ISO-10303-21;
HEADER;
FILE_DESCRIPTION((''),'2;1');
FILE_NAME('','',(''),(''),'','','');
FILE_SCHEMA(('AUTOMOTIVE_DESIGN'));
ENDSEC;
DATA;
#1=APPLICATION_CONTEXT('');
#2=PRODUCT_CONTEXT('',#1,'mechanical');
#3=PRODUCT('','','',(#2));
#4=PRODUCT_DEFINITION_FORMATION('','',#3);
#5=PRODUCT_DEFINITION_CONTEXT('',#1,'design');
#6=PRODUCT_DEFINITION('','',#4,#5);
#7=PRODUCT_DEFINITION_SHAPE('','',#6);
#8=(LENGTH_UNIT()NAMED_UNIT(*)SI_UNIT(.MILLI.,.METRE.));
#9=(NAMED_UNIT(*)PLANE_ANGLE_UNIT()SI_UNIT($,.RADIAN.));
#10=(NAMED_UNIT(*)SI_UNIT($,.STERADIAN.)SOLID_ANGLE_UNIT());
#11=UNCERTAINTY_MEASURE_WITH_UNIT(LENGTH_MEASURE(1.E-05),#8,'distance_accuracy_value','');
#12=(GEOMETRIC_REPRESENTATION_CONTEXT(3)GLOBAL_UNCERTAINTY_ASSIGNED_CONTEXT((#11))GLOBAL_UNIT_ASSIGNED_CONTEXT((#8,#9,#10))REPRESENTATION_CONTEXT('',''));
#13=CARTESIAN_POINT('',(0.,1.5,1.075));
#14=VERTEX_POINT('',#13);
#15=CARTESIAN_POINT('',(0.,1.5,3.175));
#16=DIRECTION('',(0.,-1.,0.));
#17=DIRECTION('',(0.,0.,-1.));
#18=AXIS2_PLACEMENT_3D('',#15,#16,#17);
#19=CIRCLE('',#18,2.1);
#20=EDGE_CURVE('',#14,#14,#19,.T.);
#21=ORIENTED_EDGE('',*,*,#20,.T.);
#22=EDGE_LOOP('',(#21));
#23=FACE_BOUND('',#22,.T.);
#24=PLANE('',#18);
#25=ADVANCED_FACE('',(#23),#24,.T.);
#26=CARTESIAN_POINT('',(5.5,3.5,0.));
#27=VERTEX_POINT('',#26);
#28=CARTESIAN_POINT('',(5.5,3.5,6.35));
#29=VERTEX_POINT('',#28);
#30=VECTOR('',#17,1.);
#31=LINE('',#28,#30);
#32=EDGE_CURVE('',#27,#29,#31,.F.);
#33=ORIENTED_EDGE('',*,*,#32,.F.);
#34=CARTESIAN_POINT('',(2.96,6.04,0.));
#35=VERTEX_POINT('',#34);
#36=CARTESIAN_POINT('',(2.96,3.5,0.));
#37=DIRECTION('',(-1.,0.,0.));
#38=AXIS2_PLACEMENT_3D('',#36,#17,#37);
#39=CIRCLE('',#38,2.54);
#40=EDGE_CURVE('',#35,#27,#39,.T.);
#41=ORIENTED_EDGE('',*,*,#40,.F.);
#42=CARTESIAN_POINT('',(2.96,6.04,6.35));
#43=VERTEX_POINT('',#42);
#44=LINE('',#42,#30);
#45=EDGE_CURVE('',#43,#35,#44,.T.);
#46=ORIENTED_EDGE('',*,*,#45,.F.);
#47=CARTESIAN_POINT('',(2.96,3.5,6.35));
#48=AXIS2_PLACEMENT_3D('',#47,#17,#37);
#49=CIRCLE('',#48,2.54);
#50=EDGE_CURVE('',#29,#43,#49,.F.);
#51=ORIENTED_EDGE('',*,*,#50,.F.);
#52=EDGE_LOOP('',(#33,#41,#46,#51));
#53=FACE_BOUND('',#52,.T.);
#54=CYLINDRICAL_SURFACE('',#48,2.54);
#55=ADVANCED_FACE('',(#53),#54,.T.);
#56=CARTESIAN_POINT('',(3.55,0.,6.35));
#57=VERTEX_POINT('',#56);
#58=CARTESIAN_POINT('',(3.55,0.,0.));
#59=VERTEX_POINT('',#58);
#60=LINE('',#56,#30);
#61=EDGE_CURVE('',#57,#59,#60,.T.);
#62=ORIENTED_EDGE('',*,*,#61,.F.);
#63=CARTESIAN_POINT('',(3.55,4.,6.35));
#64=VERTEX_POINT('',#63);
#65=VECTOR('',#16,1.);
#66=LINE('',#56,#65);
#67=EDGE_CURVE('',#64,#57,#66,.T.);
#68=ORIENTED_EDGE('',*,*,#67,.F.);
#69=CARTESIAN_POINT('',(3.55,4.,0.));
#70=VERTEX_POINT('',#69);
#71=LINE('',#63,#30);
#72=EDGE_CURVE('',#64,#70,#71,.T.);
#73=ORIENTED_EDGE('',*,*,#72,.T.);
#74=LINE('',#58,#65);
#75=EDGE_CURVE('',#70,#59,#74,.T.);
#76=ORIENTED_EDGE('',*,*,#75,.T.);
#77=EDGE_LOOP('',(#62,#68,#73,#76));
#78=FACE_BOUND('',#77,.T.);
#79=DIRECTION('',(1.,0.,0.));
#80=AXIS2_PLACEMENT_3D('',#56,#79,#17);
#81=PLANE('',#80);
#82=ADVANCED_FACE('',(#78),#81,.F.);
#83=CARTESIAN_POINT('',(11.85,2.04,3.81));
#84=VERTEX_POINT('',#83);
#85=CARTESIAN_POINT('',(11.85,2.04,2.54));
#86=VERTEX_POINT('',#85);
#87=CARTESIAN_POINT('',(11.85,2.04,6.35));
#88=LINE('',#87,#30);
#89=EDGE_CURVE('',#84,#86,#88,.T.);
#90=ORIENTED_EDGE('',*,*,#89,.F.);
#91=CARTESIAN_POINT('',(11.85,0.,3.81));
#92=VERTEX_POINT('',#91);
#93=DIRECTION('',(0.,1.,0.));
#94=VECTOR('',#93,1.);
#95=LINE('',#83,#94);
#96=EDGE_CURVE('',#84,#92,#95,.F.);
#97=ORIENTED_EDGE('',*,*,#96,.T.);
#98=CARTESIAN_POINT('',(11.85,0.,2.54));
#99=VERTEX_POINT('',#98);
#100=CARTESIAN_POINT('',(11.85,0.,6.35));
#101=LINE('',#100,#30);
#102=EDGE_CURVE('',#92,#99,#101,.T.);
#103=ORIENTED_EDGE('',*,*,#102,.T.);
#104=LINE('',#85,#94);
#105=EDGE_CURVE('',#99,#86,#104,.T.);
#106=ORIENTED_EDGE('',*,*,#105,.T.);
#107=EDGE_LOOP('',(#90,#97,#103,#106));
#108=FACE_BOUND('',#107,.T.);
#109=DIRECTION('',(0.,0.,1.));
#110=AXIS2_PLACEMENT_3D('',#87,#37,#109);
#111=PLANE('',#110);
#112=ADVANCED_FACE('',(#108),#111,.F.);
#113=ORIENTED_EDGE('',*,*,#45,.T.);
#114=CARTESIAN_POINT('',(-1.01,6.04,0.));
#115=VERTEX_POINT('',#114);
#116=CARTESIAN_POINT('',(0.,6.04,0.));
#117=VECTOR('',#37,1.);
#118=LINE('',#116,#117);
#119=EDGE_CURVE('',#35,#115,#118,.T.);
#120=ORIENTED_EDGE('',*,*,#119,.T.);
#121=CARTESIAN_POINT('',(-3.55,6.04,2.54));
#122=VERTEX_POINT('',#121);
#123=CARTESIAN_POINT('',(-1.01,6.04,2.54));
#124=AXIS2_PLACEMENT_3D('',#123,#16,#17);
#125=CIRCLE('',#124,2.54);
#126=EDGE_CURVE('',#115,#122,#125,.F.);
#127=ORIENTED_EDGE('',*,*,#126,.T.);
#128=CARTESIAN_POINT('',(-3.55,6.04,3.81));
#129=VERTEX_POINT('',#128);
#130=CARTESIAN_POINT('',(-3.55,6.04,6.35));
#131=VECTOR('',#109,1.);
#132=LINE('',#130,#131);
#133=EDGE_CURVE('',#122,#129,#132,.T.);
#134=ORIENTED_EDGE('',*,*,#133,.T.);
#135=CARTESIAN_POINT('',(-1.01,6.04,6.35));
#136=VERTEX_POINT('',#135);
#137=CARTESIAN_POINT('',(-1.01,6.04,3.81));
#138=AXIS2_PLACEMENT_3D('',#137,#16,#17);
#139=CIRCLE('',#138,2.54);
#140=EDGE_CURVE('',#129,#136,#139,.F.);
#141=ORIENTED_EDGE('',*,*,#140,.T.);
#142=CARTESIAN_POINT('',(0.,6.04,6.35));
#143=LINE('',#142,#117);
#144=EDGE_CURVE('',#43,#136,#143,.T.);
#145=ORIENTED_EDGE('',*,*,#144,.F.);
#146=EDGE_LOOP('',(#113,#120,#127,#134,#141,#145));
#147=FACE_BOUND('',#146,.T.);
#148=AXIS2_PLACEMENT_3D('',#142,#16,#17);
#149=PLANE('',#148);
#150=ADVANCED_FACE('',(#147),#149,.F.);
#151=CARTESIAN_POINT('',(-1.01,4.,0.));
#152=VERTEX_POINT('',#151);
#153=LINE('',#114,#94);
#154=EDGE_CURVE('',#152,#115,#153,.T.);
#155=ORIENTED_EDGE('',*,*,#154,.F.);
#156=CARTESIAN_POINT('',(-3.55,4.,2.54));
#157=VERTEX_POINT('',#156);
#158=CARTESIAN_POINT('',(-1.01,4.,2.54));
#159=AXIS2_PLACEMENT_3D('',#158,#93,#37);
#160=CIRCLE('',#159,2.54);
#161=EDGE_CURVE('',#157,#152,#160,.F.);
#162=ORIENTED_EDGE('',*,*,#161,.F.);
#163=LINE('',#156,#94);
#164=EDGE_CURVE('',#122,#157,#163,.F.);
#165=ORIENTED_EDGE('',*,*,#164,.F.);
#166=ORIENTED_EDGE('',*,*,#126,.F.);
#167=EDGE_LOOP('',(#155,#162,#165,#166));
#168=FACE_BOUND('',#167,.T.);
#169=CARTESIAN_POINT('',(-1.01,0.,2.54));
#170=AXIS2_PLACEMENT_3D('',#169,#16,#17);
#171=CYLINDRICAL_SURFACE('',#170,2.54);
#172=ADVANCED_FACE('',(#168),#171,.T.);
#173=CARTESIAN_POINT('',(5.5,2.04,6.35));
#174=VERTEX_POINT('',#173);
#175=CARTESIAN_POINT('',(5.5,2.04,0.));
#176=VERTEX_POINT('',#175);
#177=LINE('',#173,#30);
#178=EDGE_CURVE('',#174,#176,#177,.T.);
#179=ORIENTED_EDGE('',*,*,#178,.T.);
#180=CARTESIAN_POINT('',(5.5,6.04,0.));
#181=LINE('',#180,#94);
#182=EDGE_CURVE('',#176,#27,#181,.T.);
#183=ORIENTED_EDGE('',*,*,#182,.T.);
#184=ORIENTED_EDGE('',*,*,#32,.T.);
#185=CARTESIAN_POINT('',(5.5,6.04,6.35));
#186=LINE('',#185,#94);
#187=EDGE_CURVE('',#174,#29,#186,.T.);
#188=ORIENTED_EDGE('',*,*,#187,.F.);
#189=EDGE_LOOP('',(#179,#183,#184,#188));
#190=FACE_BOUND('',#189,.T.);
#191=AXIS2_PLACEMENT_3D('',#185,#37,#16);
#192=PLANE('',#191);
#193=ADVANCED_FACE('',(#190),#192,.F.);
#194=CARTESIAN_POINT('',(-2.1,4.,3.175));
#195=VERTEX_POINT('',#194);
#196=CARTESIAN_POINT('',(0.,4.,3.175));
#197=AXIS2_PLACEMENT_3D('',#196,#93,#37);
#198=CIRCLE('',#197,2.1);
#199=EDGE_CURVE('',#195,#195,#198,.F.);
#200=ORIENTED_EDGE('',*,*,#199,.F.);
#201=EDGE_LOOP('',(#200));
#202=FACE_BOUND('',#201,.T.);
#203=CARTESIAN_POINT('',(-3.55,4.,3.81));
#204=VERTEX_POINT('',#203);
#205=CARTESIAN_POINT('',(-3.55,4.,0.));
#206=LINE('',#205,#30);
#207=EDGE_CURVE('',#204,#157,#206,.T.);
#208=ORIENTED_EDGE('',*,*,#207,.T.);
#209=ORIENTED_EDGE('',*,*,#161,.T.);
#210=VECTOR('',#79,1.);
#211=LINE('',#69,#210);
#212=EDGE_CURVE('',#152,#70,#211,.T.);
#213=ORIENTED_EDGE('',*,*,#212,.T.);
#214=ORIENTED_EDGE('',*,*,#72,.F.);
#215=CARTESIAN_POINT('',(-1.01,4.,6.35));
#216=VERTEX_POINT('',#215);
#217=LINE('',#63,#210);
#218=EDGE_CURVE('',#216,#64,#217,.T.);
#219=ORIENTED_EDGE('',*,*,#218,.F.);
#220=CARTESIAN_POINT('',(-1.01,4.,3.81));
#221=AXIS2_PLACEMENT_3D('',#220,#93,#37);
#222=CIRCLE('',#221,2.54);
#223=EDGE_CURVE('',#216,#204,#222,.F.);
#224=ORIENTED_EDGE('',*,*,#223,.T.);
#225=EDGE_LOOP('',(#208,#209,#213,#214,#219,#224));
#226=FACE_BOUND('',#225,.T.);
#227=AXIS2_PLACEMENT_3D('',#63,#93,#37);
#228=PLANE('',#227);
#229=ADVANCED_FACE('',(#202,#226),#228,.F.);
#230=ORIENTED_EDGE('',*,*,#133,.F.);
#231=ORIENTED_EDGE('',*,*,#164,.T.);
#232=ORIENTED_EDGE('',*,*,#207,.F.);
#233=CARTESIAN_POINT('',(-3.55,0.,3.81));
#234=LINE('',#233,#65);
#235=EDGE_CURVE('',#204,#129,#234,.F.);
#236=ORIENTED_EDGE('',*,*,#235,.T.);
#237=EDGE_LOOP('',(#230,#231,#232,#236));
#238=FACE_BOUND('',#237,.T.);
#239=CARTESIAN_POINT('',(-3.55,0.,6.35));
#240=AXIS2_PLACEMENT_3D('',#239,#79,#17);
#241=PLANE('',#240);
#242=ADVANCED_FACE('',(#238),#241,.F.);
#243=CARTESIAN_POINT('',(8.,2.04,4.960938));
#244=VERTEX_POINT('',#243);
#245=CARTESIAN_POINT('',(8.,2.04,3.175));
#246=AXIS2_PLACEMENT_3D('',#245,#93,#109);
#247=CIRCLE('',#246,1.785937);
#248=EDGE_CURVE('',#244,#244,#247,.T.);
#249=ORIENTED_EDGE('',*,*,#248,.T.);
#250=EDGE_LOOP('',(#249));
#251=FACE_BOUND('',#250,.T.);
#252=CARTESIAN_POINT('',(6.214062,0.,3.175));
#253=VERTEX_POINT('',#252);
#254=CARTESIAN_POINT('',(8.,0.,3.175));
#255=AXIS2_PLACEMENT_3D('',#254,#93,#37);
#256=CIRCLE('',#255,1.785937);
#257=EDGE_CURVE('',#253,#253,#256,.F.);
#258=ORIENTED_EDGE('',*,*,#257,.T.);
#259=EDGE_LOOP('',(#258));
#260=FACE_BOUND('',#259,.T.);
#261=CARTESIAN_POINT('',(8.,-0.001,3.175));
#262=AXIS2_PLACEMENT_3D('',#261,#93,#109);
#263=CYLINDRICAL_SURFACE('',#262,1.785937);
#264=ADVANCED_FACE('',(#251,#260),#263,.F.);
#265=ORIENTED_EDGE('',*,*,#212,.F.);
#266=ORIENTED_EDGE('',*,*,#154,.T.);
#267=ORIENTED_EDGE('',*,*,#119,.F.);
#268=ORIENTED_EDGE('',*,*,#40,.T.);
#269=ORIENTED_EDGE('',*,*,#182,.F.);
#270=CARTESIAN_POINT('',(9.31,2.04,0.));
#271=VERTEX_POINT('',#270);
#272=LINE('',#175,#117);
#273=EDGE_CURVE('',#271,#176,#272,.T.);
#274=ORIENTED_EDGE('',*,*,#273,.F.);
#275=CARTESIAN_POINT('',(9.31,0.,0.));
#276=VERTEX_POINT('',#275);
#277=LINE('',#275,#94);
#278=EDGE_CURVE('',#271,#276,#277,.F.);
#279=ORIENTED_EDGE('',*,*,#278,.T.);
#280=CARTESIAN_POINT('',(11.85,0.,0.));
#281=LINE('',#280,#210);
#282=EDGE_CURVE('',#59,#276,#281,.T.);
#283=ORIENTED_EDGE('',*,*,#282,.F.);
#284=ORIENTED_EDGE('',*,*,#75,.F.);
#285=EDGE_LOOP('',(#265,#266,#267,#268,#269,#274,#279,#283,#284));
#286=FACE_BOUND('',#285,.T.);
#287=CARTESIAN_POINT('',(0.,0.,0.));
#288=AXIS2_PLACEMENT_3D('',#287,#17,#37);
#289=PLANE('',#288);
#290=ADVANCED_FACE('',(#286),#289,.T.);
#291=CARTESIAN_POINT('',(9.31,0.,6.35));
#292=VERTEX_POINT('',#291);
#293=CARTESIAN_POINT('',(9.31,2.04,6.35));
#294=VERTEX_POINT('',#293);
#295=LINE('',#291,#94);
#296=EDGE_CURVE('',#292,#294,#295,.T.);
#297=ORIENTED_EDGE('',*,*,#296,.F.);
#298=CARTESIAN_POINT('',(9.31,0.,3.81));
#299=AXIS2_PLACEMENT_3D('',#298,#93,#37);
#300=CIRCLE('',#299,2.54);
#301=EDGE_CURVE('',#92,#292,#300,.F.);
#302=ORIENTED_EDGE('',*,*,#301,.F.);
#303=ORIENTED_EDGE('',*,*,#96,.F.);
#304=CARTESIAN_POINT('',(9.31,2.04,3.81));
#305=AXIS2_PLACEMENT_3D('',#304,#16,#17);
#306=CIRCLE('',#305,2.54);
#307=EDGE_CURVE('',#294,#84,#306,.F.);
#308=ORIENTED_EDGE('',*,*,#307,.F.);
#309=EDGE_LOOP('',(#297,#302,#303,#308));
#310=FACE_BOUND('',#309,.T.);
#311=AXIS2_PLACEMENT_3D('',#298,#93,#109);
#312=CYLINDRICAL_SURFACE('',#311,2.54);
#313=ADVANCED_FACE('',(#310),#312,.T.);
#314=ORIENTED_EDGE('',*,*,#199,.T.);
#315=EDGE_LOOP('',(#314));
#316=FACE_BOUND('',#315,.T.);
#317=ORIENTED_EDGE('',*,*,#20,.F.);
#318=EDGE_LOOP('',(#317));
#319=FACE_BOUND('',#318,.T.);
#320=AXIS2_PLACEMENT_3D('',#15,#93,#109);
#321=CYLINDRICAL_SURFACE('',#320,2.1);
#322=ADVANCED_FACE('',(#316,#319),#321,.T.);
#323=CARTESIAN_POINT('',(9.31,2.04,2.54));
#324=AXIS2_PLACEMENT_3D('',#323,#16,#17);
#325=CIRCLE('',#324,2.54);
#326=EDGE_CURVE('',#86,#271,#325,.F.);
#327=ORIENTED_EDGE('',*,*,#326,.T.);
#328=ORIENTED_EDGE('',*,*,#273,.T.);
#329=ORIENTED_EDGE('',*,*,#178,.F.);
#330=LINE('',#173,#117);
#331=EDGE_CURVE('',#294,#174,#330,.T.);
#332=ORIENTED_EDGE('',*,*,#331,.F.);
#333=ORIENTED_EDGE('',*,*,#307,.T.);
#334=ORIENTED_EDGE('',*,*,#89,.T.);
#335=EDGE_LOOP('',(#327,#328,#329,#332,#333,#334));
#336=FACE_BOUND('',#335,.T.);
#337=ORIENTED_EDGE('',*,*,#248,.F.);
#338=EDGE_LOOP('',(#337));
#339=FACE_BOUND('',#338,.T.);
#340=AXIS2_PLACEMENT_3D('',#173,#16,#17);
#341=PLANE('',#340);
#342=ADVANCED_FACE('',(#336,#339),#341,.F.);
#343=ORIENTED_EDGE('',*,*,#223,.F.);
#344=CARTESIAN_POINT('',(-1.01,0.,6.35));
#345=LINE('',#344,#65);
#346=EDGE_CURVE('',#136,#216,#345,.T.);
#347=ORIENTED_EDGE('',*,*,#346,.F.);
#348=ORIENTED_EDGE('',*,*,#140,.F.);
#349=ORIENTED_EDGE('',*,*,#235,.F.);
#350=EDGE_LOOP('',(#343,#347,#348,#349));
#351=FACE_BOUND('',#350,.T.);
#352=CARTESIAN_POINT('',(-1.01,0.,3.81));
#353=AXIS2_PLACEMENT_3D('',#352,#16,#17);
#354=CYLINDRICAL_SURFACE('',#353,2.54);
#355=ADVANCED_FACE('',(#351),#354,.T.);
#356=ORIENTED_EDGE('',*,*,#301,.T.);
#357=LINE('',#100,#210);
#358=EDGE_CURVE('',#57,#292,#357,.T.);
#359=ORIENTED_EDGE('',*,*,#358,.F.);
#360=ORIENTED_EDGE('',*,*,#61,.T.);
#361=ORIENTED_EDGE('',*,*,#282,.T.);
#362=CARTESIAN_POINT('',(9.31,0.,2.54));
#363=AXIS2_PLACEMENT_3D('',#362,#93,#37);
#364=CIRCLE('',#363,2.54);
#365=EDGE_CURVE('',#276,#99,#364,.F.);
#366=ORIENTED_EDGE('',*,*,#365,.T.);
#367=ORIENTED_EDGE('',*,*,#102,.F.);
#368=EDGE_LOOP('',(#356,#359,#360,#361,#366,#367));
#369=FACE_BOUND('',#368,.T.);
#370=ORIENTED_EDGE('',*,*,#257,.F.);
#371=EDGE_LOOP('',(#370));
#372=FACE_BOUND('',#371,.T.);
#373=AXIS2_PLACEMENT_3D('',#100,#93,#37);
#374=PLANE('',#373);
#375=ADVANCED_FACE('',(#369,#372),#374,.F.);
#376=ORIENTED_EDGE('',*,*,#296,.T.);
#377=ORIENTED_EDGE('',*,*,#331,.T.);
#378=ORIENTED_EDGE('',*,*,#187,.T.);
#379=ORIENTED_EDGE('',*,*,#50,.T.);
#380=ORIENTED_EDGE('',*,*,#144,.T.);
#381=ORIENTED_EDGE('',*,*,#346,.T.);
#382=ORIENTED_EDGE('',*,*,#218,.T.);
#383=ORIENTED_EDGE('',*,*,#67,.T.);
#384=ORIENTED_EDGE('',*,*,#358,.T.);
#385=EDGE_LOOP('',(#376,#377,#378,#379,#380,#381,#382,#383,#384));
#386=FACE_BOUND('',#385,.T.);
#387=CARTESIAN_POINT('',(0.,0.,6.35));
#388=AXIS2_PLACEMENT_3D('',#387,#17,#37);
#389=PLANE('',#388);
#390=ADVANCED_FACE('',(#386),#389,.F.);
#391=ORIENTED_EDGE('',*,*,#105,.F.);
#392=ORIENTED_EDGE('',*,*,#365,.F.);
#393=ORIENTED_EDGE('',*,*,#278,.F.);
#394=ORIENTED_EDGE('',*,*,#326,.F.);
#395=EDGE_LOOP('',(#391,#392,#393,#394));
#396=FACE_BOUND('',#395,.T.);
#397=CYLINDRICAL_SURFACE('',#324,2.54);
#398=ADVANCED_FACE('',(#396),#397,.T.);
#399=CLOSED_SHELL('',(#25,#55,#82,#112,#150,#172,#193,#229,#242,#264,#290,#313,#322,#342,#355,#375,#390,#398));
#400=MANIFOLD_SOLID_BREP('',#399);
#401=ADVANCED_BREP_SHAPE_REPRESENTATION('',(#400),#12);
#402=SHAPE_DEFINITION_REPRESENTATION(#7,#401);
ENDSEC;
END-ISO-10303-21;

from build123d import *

# Parameters (mm, degrees)
BOSS_EXTRUDE1_DEPTH = 6.35
FILLET1_R           = 2.54
CUT_EXTRUDE1_REACH  = 16.027
SKETCH2_R           = 1.7859375
SKETCH4_W           = 6.35
SKETCH4_H           = 2.04
BOSS_EXTRUDE3_DEPTH = 3.55
SKETCH6_R           = 2.1
BOSS_EXTRUDE5_DEPTH = 2.5
FILLET3_R           = 2.54


with BuildPart() as part:
    # Sketch1 → Boss-Extrude1 (new body)
    with BuildSketch(Plane.XY):
        Polygon((0, 6.04), (5.5, 6.04), (5.5, 2.04), (11.85, 2.04), (11.85, 0), (3.55, 0), (3.55, 4), (0, 4), align=None)
    extrude(amount=BOSS_EXTRUDE1_DEPTH)

    # Fillet1
    fillet1_edges = [part.edges().sort_by_distance(p)[0] for p in [
        (5.5, 6.04, 3.175),
        (11.85, 1.02, 6.35),
        (11.85, 1.02, 0),
    ]]
    fillet(fillet1_edges, radius=FILLET1_R)

    # Sketch2 → Cut-Extrude1 (cut, up to next)
    with BuildSketch(Plane(origin=(0, 2.04, 0), x_dir=(1, 0, 0), z_dir=(0, 1, 0)), mode=Mode.PRIVATE) as cut_extrude1_sk1:
        with Locations(Location((8, -3.175, 0), (0, 0, 270))):
            Circle(SKETCH2_R)
    cut_extrude1_tool1 = extrude(cut_extrude1_sk1.sketch, amount=-CUT_EXTRUDE1_REACH, mode=Mode.PRIVATE) & part.part
    add(cut_extrude1_tool1.solids().sort_by_distance((8, 2.04, 3.175))[0], mode=Mode.SUBTRACT)

    # Sketch4 → Boss-Extrude3 (add)
    with BuildSketch(Plane.ZY):
        with Locations((3.175, 5.02)):
            Rectangle(SKETCH4_W, SKETCH4_H)
    extrude(amount=BOSS_EXTRUDE3_DEPTH)

    # Sketch6 → Boss-Extrude5 (add)
    with BuildSketch(Plane.XZ.offset(-4)):
        with Locations(Location((0, 3.175, 0), (0, 0, 180))):
            Circle(SKETCH6_R)
    extrude(amount=BOSS_EXTRUDE5_DEPTH)

    # Fillet3
    fillet3_edges = [part.edges().sort_by_distance(p)[0] for p in [
        (-3.55, 5.02, 6.35),
        (-3.55, 5.02, 0),
    ]]
    fillet(fillet3_edges, radius=FILLET3_R)


solid = part.part
